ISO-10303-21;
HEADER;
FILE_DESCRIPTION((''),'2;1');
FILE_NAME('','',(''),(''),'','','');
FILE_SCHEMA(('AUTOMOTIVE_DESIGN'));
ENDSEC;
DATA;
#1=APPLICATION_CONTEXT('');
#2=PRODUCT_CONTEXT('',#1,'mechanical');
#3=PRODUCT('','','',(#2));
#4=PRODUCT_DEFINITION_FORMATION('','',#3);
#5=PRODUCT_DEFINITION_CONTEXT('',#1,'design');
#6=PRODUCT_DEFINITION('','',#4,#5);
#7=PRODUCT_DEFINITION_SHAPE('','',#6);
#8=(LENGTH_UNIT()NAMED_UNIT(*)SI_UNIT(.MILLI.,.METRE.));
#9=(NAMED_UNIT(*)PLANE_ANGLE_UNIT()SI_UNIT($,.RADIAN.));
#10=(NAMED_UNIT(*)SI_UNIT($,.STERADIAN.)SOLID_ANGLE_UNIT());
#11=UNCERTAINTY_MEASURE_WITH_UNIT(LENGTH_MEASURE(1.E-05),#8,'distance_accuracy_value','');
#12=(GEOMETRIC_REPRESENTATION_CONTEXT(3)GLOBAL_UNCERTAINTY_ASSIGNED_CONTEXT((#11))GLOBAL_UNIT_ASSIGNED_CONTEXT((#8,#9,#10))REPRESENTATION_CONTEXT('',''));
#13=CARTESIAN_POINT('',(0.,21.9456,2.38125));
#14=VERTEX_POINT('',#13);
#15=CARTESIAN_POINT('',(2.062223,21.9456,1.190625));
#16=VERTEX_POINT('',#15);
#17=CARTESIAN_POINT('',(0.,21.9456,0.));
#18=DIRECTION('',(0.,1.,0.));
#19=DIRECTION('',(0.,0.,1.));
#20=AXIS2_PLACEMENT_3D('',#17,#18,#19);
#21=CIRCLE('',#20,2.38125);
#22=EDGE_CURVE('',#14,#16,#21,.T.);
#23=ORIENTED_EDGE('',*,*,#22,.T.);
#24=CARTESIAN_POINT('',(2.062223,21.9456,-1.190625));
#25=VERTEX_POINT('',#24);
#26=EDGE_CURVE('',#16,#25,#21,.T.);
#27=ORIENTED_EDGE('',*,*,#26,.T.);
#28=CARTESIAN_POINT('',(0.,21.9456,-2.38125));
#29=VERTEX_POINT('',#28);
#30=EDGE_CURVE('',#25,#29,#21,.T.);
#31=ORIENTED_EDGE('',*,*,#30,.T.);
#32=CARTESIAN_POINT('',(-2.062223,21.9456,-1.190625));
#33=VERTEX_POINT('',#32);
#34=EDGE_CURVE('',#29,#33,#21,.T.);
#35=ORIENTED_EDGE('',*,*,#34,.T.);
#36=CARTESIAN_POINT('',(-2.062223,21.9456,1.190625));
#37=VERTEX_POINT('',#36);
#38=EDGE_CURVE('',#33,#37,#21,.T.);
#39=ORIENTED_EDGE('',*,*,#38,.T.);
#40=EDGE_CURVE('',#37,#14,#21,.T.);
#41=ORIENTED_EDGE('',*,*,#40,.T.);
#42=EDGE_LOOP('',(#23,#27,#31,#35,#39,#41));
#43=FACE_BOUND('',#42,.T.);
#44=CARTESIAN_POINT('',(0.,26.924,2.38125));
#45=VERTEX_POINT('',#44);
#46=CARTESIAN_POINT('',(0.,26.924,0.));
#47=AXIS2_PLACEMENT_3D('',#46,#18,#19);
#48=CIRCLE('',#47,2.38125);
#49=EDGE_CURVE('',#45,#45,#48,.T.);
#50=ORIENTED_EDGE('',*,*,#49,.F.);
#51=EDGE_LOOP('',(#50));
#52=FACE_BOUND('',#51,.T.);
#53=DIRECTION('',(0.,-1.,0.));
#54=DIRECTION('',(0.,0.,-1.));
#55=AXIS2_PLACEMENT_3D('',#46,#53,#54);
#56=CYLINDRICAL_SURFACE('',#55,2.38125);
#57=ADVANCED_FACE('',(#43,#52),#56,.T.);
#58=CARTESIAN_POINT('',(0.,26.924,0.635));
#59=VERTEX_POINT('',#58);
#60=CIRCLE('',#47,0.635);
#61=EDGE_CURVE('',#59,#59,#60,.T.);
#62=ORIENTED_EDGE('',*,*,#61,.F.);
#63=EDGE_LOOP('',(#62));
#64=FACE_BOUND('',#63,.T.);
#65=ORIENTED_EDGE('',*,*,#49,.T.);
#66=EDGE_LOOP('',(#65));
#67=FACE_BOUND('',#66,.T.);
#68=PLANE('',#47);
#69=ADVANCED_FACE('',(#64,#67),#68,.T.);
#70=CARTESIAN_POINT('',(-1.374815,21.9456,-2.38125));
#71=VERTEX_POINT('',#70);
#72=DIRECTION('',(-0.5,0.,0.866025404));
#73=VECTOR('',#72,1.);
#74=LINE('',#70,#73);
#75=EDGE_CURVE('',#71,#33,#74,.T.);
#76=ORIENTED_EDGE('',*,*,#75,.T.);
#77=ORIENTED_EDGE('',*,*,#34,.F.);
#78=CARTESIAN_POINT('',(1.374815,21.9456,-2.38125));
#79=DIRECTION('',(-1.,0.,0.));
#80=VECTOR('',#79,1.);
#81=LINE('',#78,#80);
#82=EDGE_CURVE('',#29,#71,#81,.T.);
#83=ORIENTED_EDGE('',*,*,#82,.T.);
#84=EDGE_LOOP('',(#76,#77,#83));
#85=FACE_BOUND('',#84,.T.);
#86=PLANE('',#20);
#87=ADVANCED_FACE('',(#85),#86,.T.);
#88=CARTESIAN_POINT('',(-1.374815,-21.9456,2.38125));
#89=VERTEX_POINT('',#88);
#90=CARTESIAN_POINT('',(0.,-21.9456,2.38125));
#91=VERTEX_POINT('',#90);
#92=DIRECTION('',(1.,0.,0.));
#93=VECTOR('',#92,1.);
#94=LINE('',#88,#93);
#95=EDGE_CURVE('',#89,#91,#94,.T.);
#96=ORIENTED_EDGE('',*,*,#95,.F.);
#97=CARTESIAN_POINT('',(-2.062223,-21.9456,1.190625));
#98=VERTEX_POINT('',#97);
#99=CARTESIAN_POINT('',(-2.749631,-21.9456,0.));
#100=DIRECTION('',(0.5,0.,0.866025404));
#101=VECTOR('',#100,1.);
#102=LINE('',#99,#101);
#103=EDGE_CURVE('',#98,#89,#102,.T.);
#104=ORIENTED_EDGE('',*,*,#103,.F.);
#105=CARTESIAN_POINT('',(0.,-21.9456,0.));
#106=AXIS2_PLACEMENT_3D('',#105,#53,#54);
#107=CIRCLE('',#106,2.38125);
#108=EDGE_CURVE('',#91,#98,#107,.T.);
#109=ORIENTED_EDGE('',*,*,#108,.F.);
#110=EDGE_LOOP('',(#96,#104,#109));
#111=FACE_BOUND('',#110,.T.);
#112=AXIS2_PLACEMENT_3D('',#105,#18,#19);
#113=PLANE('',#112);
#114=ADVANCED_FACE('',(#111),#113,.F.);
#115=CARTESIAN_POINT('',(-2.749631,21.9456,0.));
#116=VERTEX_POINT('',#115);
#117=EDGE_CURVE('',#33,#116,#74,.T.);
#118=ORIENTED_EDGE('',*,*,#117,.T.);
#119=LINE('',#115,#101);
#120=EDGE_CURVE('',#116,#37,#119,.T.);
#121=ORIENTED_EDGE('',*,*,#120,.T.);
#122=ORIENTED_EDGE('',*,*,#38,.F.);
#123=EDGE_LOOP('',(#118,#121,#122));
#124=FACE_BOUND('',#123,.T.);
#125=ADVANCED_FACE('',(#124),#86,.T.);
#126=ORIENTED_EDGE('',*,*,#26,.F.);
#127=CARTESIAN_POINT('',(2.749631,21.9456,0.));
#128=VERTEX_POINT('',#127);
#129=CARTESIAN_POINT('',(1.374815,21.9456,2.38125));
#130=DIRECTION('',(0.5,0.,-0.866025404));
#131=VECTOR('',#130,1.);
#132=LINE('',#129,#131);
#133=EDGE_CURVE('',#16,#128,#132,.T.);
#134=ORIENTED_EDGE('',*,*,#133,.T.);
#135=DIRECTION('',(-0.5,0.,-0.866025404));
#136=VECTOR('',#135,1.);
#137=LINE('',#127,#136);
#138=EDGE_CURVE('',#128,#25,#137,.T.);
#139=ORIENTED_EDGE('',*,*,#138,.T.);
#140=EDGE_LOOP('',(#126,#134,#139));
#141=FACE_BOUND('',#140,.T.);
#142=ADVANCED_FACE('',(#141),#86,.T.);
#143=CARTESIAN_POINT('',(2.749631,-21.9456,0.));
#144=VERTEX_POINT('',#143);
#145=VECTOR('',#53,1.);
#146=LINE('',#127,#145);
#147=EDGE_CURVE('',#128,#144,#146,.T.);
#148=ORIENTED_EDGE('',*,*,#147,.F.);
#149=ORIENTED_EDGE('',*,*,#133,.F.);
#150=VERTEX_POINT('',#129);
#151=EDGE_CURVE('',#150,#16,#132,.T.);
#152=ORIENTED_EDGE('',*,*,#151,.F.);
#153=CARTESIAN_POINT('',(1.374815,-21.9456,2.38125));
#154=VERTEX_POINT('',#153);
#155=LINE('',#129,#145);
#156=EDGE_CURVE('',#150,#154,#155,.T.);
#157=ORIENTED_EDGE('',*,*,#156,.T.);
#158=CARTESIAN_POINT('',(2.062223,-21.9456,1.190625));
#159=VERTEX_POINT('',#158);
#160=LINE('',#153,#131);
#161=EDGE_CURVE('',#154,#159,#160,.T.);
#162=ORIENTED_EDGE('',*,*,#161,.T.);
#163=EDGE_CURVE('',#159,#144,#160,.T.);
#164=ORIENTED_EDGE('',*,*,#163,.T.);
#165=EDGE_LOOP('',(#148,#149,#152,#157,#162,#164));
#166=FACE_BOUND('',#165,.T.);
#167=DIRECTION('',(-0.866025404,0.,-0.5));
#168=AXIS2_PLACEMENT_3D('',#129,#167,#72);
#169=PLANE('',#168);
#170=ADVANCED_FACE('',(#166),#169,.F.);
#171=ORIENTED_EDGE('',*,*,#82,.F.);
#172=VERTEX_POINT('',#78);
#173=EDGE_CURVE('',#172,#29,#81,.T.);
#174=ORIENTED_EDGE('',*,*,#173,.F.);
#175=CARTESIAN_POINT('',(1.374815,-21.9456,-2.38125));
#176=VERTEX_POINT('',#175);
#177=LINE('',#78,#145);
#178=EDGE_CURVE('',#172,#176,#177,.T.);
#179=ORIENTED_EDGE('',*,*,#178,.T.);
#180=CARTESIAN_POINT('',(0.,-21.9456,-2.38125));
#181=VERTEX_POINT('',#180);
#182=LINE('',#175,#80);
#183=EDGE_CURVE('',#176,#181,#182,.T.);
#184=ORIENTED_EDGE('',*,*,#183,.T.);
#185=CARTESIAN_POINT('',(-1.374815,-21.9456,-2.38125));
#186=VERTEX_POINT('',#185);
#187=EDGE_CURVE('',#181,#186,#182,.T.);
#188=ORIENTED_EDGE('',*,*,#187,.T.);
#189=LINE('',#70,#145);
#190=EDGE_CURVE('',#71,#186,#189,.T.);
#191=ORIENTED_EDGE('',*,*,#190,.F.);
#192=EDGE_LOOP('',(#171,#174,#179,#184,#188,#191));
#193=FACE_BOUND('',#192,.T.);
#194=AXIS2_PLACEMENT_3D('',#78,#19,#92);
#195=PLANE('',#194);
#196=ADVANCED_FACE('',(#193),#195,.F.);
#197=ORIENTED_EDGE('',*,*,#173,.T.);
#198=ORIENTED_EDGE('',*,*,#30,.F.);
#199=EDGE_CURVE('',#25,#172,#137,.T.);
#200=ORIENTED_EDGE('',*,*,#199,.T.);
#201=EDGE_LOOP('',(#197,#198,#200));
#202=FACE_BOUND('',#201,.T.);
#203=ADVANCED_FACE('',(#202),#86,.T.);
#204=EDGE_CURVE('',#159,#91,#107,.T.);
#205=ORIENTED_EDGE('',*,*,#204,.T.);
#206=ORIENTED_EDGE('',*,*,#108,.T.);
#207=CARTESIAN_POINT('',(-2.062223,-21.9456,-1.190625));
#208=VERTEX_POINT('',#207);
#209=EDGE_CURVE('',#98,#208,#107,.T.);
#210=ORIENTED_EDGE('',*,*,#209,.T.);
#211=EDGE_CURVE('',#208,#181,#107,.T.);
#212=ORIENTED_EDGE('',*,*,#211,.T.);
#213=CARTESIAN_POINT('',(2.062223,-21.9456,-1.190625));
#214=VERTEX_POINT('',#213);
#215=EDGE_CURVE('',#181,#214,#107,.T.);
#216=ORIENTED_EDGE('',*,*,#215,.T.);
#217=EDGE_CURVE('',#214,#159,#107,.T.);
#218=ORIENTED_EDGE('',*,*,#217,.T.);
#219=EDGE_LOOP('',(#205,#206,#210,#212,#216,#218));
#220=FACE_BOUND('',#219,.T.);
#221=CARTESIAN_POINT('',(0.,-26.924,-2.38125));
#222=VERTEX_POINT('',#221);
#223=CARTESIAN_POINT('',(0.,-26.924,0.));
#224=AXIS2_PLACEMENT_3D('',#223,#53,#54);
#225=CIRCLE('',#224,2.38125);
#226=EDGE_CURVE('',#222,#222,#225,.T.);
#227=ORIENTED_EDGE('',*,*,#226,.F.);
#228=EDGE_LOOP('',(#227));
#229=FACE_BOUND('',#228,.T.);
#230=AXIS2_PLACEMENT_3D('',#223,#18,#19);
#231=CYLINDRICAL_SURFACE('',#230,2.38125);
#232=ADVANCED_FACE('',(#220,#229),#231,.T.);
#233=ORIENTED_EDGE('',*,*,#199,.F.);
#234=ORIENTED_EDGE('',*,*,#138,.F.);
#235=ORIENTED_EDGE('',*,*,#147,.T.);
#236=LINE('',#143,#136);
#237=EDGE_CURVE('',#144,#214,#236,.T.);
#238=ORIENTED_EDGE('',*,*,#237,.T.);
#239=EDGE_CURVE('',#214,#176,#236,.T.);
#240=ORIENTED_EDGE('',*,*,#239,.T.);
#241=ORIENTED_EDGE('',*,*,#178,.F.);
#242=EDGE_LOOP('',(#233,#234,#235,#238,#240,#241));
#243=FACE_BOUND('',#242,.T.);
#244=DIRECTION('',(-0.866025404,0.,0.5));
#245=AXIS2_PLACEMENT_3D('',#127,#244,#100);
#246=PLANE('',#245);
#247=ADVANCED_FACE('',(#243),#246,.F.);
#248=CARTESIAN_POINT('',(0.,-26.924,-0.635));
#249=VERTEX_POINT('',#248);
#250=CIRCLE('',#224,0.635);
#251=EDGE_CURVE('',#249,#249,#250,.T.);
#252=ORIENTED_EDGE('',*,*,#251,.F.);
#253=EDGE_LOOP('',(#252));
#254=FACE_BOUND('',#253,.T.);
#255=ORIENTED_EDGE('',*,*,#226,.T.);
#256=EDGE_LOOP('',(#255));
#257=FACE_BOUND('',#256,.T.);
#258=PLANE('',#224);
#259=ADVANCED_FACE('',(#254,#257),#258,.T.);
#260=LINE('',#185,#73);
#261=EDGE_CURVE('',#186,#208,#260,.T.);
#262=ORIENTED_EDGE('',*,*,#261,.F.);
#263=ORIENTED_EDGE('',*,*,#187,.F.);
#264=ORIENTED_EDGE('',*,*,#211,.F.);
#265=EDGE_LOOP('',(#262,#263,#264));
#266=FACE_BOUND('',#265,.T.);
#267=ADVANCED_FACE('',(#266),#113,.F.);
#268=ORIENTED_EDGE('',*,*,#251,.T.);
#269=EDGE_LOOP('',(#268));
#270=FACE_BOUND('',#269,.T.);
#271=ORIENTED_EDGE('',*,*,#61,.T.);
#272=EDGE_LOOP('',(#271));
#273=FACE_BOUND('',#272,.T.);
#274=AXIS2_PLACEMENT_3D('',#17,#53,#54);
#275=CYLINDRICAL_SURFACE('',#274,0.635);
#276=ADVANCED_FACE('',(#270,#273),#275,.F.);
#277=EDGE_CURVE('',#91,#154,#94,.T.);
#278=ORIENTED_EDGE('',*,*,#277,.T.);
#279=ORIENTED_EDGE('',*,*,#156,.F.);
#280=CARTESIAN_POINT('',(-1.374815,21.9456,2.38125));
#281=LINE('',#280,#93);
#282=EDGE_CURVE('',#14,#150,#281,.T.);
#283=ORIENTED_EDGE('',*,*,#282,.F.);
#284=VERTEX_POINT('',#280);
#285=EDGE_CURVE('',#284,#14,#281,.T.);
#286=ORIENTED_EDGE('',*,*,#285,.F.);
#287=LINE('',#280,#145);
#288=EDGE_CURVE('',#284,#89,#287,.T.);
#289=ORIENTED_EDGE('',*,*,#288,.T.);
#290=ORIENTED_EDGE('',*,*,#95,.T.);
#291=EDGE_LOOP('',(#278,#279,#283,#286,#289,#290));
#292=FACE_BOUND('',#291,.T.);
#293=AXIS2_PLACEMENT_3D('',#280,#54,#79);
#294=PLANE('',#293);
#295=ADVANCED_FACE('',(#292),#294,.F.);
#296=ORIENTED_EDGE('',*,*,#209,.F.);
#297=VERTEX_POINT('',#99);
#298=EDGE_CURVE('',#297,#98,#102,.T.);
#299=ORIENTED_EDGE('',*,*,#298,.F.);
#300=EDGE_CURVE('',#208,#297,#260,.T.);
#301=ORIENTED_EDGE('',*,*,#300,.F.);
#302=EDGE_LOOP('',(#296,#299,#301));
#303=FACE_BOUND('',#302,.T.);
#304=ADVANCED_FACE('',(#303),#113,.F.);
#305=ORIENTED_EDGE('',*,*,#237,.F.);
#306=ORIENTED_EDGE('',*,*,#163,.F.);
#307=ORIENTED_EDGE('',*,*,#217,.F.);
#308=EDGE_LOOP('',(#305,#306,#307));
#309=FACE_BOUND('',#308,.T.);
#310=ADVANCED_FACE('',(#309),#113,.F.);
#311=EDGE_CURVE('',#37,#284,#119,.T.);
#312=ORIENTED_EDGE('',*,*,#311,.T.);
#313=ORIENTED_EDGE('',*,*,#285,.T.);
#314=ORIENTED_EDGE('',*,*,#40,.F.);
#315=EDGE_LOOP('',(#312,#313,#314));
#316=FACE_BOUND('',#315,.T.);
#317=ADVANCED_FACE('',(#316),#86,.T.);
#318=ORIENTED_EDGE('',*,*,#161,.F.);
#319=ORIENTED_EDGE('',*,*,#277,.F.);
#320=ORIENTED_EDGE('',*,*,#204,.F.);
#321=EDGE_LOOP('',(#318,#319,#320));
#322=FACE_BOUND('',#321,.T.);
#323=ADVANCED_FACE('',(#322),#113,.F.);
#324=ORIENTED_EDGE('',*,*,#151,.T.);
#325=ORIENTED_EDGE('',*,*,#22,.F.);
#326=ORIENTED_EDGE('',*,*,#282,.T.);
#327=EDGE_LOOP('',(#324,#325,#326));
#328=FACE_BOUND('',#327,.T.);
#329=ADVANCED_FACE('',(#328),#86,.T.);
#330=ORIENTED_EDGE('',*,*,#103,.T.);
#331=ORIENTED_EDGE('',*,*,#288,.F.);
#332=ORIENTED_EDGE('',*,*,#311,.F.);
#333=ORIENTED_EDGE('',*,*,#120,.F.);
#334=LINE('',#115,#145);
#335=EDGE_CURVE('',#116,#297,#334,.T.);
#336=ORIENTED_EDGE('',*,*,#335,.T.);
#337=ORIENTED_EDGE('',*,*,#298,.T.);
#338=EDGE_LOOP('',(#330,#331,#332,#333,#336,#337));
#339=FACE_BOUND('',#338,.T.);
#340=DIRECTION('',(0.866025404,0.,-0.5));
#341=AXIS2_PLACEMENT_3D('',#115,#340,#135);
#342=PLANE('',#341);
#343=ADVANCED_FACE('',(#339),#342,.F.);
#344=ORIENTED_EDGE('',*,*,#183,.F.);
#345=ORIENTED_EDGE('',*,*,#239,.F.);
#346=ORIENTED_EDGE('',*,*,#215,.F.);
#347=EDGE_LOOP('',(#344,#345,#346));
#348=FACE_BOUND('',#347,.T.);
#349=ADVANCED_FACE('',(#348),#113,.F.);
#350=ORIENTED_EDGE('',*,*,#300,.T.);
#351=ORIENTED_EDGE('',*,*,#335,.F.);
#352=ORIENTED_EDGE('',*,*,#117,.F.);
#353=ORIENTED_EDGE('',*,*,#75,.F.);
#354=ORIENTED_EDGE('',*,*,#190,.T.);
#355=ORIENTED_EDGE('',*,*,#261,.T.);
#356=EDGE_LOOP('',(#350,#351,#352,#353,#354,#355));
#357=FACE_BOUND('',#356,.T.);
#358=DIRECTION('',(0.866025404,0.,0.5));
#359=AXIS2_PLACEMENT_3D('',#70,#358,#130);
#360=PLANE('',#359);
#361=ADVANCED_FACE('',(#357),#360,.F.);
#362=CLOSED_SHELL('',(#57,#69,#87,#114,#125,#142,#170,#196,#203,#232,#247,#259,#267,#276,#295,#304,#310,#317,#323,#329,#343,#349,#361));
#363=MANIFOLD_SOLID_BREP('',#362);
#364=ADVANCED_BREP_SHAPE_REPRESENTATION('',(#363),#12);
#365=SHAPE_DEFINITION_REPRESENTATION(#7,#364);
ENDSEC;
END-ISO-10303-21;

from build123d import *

# Parameters (mm, degrees)
SKETCH1_R           = 0.635
BOSS_EXTRUDE1_DEPTH = 21.9456
SKETCH2_R           = 2.38125
SKETCH2_R_2         = 0.635
BOSS_EXTRUDE2_DEPTH = 4.9784
SKETCH3_R           = 2.38125
SKETCH3_R_2         = 0.635
BOSS_EXTRUDE3_DEPTH = 4.9784


with BuildPart() as part:
    # Sketch1 → Boss-Extrude1 (new body, symmetric)
    with BuildSketch(Plane(origin=(0, 0, 0), x_dir=(1, 0, 0), z_dir=(0, 1, 0))):
        Polygon((1.374815329, -2.38125), (2.749630657, 0), (1.374815329, 2.38125), (-1.374815329, 2.38125), (-2.749630657, 0), (-1.374815329, -2.38125), align=None)
        Circle(SKETCH1_R, mode=Mode.SUBTRACT)
    extrude(amount=BOSS_EXTRUDE1_DEPTH, both=True)

    # Sketch2 → Boss-Extrude2 (add)
    with BuildSketch(Plane(origin=(0, 21.9456, 0), x_dir=(1, 0, 0), z_dir=(0, 1, 0))):
        Circle(SKETCH2_R)
        Circle(SKETCH2_R_2, mode=Mode.SUBTRACT)
    extrude(amount=BOSS_EXTRUDE2_DEPTH)

    # Sketch3 → Boss-Extrude3 (add)
    with BuildSketch(Plane.XZ.offset(21.9456)):
        Circle(SKETCH3_R)
        Circle(SKETCH3_R_2, mode=Mode.SUBTRACT)
    extrude(amount=BOSS_EXTRUDE3_DEPTH)


solid = part.part
